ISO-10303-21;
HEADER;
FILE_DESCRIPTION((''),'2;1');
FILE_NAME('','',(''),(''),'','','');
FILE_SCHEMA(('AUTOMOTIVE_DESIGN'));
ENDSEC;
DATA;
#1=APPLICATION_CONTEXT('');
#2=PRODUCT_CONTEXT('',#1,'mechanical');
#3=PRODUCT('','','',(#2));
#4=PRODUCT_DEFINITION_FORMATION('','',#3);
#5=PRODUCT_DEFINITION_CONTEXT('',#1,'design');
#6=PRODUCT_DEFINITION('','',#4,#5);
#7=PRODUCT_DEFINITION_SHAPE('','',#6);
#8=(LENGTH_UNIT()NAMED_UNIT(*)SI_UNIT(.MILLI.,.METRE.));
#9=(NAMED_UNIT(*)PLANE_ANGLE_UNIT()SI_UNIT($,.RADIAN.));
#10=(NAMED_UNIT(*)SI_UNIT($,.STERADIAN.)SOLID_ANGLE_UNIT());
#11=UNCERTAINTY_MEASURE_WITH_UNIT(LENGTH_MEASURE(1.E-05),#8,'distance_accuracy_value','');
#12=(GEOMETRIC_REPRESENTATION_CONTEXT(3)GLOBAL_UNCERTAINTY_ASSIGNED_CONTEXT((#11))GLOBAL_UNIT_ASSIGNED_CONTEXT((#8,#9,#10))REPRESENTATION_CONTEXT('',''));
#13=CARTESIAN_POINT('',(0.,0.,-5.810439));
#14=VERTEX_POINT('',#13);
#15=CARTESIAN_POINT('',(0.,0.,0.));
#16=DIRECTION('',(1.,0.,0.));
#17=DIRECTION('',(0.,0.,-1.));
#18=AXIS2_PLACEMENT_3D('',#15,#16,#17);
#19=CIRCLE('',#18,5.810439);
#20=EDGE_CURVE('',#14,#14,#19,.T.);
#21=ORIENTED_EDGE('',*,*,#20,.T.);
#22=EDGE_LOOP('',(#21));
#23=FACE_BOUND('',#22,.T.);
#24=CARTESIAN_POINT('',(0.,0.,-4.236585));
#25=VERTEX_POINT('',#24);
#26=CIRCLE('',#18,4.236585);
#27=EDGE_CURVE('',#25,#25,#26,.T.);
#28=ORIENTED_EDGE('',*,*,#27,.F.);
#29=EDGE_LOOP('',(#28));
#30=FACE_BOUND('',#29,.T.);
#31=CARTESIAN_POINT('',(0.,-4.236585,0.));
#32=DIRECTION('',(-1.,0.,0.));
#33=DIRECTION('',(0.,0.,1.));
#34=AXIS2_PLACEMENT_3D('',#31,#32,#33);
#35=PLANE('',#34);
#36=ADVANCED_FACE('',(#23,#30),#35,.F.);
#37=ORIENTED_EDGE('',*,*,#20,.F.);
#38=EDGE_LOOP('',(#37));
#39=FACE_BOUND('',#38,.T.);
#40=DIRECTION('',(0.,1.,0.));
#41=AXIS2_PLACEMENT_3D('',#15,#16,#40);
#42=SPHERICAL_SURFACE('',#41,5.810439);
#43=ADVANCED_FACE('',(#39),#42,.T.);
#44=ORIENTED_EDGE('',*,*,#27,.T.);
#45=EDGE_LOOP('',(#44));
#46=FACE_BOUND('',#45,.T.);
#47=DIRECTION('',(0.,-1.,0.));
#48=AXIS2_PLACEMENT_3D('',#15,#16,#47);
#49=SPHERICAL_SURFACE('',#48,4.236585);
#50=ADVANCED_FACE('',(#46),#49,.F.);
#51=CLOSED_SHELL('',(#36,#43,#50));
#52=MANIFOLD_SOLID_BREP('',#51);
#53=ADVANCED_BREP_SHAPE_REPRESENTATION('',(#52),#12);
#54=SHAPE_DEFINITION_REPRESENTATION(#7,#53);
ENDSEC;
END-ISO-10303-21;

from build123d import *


with BuildPart() as part:
    # Sketch4 → Revolve3 (revolve)
    with BuildSketch(Plane.XY):
        with BuildLine():
            Line((-5.810439407, 0), (-4.236585252, 0))
            ThreePointArc((-4.236585252, 0), (-2.99571816, -2.99571816), (0, -4.236585252))
            Line((0, -4.236585252), (0, -5.810439407))
            ThreePointArc((0, -5.810439407), (-4.108601107, -4.108601107), (-5.810439407, 0))
        make_face()
    revolve(axis=Axis((0, 0, 0), (-1, 0, 0)))


solid = part.part
